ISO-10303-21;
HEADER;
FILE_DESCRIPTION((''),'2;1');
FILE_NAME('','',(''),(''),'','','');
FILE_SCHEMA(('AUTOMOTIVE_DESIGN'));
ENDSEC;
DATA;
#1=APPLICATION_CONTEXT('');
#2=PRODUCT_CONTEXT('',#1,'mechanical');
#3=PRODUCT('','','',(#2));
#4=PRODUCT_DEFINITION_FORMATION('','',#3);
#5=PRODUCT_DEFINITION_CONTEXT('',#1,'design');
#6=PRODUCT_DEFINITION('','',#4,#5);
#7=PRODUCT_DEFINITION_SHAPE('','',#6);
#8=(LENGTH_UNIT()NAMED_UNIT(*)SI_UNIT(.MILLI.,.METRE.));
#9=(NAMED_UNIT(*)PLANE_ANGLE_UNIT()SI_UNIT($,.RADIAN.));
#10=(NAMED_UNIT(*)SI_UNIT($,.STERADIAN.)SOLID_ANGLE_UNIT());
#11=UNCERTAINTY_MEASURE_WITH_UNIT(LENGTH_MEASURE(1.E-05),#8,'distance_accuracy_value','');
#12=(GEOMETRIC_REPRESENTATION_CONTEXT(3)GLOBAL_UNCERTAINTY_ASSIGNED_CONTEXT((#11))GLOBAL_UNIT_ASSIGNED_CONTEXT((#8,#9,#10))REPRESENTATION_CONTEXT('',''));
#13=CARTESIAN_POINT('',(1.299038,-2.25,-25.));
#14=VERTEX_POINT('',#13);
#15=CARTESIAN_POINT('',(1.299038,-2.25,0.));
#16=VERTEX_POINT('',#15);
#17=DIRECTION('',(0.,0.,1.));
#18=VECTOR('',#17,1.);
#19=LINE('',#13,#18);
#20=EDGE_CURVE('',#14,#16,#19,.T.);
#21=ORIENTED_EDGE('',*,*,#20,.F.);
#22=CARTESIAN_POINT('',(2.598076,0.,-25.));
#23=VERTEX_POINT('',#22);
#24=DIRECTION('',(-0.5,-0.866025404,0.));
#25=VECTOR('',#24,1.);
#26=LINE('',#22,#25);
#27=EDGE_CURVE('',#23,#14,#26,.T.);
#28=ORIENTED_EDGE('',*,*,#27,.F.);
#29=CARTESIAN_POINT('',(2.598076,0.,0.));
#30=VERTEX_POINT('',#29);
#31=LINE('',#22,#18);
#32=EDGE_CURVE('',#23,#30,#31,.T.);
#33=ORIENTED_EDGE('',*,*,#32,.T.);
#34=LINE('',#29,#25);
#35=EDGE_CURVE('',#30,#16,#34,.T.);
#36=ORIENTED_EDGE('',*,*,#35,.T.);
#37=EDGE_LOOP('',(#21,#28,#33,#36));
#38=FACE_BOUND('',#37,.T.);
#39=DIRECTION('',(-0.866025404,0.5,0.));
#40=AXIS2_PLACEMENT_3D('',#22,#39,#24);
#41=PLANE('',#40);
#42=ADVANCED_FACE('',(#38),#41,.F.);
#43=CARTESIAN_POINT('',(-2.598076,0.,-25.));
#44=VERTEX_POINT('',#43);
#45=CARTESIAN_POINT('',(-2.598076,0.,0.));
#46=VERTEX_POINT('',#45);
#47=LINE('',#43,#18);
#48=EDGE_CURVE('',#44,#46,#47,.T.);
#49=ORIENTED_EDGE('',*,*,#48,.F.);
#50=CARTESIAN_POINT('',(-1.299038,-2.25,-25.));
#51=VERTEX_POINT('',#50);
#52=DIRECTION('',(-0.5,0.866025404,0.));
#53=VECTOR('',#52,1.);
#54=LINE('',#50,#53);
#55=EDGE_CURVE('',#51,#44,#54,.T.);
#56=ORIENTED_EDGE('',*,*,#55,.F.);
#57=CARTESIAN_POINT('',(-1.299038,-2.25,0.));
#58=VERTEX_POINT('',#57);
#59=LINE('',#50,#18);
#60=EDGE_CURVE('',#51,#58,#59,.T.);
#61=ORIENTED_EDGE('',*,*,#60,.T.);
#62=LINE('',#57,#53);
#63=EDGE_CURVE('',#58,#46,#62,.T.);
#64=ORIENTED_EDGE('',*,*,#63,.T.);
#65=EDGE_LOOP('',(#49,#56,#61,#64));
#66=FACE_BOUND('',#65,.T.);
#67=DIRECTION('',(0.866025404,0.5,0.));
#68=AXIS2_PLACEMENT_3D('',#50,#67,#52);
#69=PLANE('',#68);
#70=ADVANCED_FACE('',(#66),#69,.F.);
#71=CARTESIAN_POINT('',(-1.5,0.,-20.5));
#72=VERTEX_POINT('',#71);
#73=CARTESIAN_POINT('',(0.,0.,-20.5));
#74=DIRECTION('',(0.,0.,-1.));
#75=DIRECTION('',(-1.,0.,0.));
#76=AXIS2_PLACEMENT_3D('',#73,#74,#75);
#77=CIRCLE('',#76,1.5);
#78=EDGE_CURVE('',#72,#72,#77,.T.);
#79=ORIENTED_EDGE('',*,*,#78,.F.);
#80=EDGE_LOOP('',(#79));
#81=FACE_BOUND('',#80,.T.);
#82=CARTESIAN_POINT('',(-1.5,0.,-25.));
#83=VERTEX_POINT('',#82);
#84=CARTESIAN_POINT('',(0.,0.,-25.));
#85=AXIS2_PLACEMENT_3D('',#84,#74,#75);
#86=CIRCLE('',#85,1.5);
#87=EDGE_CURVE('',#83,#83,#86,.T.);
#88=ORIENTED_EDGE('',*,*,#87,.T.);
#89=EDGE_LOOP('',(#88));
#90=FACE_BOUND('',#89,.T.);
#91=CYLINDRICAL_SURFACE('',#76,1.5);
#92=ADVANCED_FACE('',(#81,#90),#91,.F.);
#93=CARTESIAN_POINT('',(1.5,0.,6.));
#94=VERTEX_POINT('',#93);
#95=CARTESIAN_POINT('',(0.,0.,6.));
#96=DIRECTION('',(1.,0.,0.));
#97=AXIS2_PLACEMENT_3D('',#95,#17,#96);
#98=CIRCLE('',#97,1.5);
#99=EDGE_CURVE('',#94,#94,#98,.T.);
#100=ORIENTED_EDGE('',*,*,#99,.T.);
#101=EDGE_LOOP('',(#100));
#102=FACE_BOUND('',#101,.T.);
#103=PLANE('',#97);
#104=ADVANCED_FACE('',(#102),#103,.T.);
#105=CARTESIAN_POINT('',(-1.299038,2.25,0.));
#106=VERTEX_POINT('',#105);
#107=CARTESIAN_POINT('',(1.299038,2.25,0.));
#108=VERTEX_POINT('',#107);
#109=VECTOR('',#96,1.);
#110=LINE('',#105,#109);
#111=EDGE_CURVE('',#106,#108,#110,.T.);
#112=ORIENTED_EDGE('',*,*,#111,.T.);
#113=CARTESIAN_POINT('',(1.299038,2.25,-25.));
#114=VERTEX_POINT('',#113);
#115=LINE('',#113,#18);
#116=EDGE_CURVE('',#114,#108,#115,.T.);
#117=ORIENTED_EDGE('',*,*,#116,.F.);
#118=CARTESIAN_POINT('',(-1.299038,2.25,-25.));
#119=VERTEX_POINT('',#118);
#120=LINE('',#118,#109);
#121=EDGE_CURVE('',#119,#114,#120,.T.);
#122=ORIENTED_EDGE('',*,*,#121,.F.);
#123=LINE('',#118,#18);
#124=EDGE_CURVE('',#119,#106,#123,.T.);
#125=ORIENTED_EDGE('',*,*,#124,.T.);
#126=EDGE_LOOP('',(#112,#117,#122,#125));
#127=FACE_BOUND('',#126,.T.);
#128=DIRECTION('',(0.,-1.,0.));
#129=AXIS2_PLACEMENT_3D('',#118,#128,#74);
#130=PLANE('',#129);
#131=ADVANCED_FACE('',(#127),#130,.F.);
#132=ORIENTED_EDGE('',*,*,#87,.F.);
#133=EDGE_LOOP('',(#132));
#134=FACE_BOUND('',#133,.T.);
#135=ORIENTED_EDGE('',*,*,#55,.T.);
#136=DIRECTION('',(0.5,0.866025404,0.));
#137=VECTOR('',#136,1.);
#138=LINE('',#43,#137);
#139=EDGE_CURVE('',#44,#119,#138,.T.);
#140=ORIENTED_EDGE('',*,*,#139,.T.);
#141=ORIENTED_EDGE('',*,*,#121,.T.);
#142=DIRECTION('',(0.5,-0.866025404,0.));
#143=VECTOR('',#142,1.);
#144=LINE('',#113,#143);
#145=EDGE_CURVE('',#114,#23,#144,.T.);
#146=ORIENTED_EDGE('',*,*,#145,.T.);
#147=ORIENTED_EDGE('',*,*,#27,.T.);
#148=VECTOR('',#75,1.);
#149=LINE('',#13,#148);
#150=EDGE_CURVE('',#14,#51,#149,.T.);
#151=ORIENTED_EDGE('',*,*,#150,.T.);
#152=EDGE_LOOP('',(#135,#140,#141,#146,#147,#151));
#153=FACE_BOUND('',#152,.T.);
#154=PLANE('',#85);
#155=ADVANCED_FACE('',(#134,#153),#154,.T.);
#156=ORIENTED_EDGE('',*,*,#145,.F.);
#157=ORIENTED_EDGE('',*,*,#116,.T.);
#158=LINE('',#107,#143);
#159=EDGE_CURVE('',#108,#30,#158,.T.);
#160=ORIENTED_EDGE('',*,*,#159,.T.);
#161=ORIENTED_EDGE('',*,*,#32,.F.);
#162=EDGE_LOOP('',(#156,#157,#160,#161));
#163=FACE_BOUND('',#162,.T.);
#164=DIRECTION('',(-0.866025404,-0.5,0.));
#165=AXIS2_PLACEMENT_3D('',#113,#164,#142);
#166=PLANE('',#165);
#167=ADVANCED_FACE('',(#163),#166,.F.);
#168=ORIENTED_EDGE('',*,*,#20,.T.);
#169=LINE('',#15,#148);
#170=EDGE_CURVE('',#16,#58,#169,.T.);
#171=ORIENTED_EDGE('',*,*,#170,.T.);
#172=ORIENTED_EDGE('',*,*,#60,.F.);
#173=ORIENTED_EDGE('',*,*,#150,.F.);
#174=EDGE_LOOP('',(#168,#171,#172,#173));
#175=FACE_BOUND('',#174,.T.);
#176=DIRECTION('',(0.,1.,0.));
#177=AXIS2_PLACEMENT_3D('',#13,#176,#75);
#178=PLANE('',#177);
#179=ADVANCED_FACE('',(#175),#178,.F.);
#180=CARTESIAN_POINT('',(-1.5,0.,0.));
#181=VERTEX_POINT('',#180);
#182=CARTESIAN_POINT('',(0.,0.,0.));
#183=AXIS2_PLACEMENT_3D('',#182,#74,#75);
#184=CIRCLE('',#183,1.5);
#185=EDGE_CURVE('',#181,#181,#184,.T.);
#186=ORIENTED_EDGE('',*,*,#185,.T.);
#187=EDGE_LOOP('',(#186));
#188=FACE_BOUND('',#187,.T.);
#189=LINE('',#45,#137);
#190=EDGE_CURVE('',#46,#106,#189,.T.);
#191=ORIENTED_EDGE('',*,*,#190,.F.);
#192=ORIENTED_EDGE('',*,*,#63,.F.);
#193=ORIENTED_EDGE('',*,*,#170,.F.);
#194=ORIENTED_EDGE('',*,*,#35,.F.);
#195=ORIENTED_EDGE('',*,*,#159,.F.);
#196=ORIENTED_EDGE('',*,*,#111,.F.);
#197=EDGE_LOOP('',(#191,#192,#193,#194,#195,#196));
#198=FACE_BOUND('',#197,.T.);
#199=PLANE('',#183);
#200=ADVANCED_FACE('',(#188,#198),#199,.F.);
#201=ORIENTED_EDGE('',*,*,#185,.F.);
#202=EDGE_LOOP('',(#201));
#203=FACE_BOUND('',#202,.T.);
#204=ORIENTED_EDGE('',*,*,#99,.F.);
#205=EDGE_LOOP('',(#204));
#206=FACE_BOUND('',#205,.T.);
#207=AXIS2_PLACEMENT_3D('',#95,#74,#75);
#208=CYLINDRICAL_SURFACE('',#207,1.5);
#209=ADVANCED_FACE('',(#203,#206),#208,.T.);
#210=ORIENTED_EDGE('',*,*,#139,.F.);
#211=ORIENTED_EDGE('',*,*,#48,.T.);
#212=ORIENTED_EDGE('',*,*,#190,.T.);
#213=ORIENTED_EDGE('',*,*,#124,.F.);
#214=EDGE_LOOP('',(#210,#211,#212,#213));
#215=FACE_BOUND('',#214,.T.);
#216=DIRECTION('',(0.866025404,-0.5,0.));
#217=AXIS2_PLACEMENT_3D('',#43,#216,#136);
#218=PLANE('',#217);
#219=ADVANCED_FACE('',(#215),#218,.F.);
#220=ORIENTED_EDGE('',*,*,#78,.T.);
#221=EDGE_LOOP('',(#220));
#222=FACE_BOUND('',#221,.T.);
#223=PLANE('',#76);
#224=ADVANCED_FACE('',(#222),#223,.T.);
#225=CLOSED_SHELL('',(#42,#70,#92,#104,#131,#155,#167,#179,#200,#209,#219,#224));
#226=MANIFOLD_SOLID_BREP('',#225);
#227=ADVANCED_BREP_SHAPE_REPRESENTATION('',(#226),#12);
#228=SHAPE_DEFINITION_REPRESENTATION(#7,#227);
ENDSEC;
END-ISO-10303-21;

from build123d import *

# Parameters (mm, degrees)
SKETCH1_R           = 1.5
BOSS_EXTRUDE1_DEPTH = 6
BOSS_EXTRUDE2_DEPTH = 25
SKETCH3_R           = 1.5
CUT_EXTRUDE1_DEPTH  = 4.5


with BuildPart() as part:
    # Sketch1 → Boss-Extrude1 (new body)
    with BuildSketch(Plane.XY):
        Circle(SKETCH1_R)
    extrude(amount=BOSS_EXTRUDE1_DEPTH)

    # Sketch2 → Boss-Extrude2 (add)
    with BuildSketch(Plane(origin=(0, 0, 0), x_dir=(-1, 0, 0), z_dir=(0, 0, -1))):
        Polygon((-1.299038106, 2.25), (-2.598076211, 0), (-1.299038106, -2.25), (1.299038106, -2.25), (2.598076211, 0), (1.299038106, 2.25), align=None)
    extrude(amount=BOSS_EXTRUDE2_DEPTH)

    # Sketch3 → Cut-Extrude1 (cut)
    with BuildSketch(Plane(origin=(0, 0, -25), x_dir=(-1, 0, 0), z_dir=(0, 0, -1))):
        Circle(SKETCH3_R)
    extrude(amount=-CUT_EXTRUDE1_DEPTH, mode=Mode.SUBTRACT)


solid = part.part
